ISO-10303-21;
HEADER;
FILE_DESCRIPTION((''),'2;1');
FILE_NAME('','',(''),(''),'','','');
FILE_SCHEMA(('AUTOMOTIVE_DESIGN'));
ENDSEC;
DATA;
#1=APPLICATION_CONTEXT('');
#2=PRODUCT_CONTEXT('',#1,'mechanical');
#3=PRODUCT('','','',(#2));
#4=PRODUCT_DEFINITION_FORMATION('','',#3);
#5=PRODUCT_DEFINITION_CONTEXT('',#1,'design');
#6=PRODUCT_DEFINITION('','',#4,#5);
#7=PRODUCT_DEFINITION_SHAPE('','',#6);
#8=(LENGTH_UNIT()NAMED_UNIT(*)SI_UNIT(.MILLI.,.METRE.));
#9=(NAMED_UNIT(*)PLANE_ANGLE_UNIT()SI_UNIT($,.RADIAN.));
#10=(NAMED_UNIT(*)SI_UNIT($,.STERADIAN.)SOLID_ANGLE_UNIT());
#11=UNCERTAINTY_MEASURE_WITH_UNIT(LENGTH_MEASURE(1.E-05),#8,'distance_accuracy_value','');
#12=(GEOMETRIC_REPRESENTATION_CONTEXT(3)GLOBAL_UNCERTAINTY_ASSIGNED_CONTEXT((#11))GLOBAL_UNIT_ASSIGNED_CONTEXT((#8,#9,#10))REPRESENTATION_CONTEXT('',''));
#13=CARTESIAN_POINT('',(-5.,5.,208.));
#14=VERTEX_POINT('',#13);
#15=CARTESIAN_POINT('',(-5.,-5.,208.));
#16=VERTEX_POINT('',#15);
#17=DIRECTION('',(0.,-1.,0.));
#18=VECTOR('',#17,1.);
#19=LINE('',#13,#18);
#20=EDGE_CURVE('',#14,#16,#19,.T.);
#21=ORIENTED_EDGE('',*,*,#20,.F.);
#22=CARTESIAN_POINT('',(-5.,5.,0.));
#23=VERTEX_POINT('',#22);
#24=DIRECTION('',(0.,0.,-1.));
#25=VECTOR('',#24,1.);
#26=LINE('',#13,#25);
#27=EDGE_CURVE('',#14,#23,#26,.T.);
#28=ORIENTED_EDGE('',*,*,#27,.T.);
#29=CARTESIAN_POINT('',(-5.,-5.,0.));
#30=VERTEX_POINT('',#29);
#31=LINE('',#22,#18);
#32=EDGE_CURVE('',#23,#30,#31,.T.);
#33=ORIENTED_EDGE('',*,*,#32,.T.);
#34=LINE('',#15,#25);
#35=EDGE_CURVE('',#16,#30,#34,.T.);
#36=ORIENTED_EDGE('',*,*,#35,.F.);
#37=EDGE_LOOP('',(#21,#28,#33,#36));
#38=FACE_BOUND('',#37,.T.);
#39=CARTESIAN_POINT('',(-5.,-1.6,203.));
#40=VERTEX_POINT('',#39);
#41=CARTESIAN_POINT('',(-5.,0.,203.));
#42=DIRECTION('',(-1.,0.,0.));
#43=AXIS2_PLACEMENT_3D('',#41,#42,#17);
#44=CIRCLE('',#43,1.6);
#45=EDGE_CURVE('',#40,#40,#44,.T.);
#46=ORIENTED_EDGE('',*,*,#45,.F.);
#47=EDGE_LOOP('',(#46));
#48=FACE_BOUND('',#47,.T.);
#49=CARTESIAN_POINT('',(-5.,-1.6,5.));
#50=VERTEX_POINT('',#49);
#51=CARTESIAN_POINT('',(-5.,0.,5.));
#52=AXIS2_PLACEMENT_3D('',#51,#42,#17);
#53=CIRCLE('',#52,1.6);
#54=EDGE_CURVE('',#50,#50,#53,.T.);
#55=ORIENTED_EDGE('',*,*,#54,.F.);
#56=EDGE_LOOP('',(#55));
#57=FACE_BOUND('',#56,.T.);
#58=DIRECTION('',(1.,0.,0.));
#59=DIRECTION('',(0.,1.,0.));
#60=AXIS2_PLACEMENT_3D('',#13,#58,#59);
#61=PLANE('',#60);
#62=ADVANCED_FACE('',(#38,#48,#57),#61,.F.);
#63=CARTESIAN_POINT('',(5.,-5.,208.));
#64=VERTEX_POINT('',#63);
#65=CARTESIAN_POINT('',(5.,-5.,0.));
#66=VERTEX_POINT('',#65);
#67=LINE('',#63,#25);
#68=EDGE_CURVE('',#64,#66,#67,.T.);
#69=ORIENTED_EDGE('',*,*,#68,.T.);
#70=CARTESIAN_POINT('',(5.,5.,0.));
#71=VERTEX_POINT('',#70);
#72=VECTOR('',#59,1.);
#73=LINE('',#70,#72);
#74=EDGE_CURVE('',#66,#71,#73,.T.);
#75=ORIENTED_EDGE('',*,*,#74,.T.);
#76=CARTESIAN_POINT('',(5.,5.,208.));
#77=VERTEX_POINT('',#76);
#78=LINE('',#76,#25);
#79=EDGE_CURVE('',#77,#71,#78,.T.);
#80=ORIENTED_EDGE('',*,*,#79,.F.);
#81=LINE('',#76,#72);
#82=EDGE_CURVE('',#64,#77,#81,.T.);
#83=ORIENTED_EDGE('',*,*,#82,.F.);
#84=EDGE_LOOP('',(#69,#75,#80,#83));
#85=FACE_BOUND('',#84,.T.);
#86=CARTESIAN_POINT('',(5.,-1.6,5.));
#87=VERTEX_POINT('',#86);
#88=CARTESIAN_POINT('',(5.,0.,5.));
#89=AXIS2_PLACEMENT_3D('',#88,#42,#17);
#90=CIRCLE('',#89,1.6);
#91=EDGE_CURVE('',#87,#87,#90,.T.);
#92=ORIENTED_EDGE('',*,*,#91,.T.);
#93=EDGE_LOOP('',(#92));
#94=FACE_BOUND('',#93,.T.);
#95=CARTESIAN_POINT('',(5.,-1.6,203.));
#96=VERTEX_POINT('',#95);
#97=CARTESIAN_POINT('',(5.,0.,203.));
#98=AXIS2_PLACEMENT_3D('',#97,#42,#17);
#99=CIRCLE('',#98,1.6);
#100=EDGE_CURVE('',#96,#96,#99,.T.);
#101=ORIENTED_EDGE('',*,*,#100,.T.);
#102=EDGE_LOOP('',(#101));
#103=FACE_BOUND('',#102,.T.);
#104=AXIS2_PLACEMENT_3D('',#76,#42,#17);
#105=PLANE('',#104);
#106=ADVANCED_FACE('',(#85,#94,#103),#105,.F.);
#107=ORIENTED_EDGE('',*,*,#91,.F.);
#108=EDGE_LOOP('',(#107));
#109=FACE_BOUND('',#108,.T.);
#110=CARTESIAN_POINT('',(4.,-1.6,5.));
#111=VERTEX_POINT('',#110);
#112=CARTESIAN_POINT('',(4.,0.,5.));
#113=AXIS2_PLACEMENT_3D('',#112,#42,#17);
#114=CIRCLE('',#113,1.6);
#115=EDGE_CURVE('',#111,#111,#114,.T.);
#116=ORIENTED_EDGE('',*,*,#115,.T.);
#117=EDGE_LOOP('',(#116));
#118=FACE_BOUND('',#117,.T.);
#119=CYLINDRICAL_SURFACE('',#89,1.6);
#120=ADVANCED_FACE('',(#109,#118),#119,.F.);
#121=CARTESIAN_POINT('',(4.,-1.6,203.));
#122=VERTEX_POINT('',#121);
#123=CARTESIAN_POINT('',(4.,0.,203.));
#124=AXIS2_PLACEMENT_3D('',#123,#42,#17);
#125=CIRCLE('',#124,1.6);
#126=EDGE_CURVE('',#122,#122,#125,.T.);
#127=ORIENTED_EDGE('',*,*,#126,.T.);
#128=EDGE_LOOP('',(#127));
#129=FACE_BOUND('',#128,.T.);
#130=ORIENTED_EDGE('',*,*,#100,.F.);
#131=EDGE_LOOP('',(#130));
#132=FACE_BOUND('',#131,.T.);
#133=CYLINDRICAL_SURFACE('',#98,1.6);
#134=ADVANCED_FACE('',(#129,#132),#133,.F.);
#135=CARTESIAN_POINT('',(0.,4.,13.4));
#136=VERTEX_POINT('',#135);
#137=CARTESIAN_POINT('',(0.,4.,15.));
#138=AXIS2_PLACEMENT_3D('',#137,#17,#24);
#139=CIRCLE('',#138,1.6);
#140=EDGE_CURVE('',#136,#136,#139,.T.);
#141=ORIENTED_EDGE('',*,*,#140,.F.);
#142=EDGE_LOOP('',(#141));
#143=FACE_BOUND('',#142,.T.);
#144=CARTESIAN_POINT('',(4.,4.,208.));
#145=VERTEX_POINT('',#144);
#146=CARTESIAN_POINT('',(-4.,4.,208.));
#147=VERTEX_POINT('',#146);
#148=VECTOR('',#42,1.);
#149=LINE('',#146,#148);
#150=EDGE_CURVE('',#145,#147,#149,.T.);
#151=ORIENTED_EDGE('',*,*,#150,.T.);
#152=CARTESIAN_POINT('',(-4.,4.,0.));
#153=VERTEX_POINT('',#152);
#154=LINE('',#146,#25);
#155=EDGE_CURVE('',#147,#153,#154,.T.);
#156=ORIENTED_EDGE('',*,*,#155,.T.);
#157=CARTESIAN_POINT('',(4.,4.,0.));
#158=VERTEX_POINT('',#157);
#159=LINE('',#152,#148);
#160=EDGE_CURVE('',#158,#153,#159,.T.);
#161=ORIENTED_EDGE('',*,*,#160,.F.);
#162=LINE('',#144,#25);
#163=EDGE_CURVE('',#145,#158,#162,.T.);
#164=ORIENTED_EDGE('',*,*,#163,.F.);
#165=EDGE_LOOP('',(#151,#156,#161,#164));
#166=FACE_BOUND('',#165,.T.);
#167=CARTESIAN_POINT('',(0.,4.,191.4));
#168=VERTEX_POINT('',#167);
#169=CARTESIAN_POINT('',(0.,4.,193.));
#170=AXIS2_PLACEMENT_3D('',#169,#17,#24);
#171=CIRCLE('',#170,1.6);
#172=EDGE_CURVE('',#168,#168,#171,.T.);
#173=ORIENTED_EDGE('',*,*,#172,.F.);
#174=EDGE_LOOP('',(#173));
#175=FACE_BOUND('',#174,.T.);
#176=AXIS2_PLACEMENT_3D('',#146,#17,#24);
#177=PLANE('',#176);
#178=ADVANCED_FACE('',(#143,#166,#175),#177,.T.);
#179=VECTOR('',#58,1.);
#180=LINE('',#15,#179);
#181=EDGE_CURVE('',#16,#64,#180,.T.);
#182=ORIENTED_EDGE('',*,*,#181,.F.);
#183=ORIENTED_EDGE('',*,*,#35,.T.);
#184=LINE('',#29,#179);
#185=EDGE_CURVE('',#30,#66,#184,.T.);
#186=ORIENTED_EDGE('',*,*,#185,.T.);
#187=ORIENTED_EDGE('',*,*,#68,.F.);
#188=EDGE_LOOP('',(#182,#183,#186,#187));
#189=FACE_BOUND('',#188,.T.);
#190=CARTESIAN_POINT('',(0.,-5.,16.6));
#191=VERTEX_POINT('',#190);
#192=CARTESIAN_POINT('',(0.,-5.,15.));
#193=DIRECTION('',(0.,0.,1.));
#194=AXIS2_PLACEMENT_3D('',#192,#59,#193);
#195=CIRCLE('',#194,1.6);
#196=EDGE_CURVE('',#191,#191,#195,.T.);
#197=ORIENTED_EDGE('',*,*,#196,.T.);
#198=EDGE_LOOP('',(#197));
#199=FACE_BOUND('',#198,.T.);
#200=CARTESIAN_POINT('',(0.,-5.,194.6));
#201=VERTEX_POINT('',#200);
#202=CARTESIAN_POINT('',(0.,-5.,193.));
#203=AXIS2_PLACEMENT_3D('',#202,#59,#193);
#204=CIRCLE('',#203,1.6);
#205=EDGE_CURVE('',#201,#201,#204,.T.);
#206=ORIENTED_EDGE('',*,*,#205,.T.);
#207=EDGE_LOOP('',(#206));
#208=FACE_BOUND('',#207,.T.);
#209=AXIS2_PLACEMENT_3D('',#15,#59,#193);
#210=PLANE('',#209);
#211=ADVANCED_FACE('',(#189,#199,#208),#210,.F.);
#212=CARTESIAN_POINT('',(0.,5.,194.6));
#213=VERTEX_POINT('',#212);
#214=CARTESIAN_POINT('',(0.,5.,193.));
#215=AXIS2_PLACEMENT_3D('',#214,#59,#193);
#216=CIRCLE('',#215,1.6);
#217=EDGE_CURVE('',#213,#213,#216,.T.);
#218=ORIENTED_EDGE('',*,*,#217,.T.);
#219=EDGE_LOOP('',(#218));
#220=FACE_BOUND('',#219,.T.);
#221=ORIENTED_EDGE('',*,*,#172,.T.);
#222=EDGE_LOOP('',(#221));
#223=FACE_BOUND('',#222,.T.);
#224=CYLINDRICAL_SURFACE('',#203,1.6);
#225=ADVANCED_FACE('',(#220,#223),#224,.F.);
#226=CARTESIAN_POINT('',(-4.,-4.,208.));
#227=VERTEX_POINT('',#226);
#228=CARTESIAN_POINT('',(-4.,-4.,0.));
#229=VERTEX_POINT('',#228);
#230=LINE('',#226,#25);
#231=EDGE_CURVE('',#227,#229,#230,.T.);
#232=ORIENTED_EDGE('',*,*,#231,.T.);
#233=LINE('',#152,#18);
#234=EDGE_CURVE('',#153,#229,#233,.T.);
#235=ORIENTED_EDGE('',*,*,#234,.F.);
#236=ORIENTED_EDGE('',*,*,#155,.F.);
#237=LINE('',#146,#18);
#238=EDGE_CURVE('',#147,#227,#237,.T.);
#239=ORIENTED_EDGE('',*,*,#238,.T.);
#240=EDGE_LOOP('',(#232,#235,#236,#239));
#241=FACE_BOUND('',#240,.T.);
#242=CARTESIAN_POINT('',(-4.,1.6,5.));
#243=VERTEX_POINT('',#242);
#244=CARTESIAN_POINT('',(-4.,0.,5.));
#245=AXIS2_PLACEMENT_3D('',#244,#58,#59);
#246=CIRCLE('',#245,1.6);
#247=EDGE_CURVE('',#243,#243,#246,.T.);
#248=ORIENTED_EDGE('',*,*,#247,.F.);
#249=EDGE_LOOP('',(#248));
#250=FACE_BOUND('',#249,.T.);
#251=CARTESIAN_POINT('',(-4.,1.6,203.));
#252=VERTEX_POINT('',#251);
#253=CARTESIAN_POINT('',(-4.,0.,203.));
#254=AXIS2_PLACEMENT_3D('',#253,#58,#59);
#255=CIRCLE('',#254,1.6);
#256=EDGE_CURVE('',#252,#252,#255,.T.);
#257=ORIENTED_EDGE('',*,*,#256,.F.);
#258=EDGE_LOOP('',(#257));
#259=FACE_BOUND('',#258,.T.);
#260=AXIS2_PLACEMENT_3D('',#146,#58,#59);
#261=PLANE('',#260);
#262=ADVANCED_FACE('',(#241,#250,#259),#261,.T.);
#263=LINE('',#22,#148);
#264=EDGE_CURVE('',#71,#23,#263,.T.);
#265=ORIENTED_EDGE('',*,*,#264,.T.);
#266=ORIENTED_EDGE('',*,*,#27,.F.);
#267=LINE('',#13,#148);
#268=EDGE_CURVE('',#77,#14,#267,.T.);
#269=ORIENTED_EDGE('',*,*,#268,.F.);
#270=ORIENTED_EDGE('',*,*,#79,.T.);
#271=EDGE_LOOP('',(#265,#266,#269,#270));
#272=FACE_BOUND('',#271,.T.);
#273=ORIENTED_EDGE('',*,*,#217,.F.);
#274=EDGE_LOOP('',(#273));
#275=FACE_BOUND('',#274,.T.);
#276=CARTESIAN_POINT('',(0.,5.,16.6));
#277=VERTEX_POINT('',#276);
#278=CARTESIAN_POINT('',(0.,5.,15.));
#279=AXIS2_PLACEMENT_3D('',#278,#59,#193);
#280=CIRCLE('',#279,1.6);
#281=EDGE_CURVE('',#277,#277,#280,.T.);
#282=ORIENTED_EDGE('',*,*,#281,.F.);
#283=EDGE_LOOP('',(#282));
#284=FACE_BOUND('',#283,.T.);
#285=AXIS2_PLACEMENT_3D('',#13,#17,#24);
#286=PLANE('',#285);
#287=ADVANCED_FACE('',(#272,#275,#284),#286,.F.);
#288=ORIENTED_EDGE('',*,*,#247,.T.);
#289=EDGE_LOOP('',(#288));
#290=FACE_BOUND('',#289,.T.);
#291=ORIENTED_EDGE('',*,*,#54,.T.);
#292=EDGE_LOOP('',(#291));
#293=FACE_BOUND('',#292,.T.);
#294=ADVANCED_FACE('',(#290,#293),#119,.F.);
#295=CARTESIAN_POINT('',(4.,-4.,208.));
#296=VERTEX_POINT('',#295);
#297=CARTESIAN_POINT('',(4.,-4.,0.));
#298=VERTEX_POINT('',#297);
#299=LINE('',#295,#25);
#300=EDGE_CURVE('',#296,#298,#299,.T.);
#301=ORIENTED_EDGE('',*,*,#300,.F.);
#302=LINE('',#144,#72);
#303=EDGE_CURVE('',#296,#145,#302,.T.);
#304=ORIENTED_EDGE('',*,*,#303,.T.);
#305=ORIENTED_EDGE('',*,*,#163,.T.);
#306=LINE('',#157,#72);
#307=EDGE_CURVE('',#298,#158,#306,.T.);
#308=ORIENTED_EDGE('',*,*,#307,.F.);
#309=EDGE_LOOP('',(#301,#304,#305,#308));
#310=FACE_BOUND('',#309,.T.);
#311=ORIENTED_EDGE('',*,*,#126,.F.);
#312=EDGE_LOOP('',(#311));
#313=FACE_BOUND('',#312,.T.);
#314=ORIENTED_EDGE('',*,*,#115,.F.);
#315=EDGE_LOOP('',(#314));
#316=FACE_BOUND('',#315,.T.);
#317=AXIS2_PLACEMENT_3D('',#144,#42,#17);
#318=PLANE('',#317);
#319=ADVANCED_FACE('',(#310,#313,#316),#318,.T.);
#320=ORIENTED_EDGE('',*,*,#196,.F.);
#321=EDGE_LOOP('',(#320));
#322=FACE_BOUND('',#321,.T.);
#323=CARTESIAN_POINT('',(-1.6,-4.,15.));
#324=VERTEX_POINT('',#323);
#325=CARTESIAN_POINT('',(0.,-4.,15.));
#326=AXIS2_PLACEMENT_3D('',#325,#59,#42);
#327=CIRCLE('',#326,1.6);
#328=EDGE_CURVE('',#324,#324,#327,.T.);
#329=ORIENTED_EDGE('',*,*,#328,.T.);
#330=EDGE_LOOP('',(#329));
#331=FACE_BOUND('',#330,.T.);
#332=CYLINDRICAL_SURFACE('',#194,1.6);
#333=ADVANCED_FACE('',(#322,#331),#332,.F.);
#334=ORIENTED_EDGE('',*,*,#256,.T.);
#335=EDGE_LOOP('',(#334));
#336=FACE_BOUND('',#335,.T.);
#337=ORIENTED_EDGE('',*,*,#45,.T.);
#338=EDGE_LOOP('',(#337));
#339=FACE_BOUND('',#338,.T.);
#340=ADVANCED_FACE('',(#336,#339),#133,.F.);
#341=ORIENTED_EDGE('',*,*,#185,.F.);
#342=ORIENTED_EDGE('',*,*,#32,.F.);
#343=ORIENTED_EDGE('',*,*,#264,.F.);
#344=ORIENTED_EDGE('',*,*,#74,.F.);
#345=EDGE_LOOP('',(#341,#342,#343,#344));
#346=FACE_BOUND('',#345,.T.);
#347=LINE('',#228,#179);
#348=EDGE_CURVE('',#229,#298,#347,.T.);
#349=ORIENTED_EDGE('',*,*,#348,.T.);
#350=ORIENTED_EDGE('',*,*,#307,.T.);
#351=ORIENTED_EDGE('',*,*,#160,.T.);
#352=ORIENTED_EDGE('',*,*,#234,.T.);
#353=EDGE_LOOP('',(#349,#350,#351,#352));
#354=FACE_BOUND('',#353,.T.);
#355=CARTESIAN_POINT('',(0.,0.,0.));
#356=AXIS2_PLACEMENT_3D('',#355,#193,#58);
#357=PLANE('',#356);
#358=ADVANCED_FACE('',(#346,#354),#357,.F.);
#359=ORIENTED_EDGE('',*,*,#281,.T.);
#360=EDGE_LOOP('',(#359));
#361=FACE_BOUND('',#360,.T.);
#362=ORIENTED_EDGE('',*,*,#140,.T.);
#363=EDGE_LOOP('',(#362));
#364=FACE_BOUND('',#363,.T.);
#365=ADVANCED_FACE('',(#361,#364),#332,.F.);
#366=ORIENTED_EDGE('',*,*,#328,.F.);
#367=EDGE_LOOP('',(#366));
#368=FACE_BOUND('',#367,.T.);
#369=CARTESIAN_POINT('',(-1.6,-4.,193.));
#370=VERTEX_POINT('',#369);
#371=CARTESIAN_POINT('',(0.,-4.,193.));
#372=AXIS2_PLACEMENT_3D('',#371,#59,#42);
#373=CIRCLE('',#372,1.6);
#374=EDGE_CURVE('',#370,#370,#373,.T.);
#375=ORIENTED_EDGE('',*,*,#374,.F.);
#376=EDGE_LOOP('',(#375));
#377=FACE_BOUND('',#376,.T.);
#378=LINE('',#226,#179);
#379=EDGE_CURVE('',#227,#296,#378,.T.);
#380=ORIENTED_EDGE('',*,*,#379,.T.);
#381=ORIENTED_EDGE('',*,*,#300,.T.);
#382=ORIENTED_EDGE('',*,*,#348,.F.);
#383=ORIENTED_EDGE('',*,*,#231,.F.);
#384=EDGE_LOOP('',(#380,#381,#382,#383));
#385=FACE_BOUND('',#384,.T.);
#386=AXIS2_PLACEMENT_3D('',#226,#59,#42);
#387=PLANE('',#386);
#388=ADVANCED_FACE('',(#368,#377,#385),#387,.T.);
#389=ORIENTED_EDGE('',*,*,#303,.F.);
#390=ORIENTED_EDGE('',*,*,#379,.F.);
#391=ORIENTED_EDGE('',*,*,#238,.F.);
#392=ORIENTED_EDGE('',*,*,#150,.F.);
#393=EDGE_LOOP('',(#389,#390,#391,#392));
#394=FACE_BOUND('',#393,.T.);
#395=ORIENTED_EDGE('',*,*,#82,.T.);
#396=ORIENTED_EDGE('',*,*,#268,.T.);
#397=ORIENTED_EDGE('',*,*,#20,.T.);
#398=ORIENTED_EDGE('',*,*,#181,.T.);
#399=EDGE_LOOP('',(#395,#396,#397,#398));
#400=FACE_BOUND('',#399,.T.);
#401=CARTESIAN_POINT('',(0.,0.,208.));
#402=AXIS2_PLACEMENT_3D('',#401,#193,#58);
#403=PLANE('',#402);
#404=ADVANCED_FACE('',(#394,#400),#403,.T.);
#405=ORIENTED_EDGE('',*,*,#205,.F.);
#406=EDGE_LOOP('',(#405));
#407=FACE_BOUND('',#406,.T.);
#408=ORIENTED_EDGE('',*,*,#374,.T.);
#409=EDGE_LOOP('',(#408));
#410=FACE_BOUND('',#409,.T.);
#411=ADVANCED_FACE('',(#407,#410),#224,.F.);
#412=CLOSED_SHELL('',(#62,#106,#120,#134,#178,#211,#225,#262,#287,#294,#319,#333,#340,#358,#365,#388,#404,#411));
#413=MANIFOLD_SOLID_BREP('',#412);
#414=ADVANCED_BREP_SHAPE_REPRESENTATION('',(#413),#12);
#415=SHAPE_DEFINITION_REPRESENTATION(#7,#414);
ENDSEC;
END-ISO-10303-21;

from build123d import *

# Parameters (mm, degrees)
SKETCH_1_W          = 10
SKETCH_1_H          = 10
SKETCH_1_W_2        = 8
SKETCH_1_H_2        = 8
EXTRUDE_1_DEPTH     = 208
SKETCH_2_R          = 1.6
CUT_EXTRUDE_1_DEPTH = 209.300264042
SKETCH_3_R          = 1.6
CUT_EXTRUDE_2_DEPTH = 209.300264042


with BuildPart() as part:
    # ｽｹｯﾁ1 → ﾎﾞｽ - 押し出し1 (new body)
    with BuildSketch(Plane.XY):
        Rectangle(SKETCH_1_W, SKETCH_1_H)
        Rectangle(SKETCH_1_W_2, SKETCH_1_H_2, mode=Mode.SUBTRACT)
    extrude(amount=EXTRUDE_1_DEPTH)

    # ｽｹｯﾁ2 → ｶｯﾄ - 押し出し1 (cut, through all)
    with BuildSketch(Plane(origin=(0, 5, 0), x_dir=(1, 0, 0), z_dir=(0, 1, 0))):
        with Locations(Location((0, -193, 0), (0, 0, 270))):
            Circle(SKETCH_2_R)
        with Locations(Location((0, -15, 0), (0, 0, 270))):
            Circle(SKETCH_2_R)
    extrude(amount=-CUT_EXTRUDE_1_DEPTH, mode=Mode.SUBTRACT)

    # ｽｹｯﾁ3 → ｶｯﾄ - 押し出し2 (cut, through all)
    with BuildSketch(Plane.ZY.offset(5)):
        with Locations(Location((203, 0, 0), (0, 0, 270))):
            Circle(SKETCH_3_R)
        with Locations(Location((5, 0, 0), (0, 0, 270))):
            Circle(SKETCH_3_R)
    extrude(amount=-CUT_EXTRUDE_2_DEPTH, mode=Mode.SUBTRACT)


solid = part.part
